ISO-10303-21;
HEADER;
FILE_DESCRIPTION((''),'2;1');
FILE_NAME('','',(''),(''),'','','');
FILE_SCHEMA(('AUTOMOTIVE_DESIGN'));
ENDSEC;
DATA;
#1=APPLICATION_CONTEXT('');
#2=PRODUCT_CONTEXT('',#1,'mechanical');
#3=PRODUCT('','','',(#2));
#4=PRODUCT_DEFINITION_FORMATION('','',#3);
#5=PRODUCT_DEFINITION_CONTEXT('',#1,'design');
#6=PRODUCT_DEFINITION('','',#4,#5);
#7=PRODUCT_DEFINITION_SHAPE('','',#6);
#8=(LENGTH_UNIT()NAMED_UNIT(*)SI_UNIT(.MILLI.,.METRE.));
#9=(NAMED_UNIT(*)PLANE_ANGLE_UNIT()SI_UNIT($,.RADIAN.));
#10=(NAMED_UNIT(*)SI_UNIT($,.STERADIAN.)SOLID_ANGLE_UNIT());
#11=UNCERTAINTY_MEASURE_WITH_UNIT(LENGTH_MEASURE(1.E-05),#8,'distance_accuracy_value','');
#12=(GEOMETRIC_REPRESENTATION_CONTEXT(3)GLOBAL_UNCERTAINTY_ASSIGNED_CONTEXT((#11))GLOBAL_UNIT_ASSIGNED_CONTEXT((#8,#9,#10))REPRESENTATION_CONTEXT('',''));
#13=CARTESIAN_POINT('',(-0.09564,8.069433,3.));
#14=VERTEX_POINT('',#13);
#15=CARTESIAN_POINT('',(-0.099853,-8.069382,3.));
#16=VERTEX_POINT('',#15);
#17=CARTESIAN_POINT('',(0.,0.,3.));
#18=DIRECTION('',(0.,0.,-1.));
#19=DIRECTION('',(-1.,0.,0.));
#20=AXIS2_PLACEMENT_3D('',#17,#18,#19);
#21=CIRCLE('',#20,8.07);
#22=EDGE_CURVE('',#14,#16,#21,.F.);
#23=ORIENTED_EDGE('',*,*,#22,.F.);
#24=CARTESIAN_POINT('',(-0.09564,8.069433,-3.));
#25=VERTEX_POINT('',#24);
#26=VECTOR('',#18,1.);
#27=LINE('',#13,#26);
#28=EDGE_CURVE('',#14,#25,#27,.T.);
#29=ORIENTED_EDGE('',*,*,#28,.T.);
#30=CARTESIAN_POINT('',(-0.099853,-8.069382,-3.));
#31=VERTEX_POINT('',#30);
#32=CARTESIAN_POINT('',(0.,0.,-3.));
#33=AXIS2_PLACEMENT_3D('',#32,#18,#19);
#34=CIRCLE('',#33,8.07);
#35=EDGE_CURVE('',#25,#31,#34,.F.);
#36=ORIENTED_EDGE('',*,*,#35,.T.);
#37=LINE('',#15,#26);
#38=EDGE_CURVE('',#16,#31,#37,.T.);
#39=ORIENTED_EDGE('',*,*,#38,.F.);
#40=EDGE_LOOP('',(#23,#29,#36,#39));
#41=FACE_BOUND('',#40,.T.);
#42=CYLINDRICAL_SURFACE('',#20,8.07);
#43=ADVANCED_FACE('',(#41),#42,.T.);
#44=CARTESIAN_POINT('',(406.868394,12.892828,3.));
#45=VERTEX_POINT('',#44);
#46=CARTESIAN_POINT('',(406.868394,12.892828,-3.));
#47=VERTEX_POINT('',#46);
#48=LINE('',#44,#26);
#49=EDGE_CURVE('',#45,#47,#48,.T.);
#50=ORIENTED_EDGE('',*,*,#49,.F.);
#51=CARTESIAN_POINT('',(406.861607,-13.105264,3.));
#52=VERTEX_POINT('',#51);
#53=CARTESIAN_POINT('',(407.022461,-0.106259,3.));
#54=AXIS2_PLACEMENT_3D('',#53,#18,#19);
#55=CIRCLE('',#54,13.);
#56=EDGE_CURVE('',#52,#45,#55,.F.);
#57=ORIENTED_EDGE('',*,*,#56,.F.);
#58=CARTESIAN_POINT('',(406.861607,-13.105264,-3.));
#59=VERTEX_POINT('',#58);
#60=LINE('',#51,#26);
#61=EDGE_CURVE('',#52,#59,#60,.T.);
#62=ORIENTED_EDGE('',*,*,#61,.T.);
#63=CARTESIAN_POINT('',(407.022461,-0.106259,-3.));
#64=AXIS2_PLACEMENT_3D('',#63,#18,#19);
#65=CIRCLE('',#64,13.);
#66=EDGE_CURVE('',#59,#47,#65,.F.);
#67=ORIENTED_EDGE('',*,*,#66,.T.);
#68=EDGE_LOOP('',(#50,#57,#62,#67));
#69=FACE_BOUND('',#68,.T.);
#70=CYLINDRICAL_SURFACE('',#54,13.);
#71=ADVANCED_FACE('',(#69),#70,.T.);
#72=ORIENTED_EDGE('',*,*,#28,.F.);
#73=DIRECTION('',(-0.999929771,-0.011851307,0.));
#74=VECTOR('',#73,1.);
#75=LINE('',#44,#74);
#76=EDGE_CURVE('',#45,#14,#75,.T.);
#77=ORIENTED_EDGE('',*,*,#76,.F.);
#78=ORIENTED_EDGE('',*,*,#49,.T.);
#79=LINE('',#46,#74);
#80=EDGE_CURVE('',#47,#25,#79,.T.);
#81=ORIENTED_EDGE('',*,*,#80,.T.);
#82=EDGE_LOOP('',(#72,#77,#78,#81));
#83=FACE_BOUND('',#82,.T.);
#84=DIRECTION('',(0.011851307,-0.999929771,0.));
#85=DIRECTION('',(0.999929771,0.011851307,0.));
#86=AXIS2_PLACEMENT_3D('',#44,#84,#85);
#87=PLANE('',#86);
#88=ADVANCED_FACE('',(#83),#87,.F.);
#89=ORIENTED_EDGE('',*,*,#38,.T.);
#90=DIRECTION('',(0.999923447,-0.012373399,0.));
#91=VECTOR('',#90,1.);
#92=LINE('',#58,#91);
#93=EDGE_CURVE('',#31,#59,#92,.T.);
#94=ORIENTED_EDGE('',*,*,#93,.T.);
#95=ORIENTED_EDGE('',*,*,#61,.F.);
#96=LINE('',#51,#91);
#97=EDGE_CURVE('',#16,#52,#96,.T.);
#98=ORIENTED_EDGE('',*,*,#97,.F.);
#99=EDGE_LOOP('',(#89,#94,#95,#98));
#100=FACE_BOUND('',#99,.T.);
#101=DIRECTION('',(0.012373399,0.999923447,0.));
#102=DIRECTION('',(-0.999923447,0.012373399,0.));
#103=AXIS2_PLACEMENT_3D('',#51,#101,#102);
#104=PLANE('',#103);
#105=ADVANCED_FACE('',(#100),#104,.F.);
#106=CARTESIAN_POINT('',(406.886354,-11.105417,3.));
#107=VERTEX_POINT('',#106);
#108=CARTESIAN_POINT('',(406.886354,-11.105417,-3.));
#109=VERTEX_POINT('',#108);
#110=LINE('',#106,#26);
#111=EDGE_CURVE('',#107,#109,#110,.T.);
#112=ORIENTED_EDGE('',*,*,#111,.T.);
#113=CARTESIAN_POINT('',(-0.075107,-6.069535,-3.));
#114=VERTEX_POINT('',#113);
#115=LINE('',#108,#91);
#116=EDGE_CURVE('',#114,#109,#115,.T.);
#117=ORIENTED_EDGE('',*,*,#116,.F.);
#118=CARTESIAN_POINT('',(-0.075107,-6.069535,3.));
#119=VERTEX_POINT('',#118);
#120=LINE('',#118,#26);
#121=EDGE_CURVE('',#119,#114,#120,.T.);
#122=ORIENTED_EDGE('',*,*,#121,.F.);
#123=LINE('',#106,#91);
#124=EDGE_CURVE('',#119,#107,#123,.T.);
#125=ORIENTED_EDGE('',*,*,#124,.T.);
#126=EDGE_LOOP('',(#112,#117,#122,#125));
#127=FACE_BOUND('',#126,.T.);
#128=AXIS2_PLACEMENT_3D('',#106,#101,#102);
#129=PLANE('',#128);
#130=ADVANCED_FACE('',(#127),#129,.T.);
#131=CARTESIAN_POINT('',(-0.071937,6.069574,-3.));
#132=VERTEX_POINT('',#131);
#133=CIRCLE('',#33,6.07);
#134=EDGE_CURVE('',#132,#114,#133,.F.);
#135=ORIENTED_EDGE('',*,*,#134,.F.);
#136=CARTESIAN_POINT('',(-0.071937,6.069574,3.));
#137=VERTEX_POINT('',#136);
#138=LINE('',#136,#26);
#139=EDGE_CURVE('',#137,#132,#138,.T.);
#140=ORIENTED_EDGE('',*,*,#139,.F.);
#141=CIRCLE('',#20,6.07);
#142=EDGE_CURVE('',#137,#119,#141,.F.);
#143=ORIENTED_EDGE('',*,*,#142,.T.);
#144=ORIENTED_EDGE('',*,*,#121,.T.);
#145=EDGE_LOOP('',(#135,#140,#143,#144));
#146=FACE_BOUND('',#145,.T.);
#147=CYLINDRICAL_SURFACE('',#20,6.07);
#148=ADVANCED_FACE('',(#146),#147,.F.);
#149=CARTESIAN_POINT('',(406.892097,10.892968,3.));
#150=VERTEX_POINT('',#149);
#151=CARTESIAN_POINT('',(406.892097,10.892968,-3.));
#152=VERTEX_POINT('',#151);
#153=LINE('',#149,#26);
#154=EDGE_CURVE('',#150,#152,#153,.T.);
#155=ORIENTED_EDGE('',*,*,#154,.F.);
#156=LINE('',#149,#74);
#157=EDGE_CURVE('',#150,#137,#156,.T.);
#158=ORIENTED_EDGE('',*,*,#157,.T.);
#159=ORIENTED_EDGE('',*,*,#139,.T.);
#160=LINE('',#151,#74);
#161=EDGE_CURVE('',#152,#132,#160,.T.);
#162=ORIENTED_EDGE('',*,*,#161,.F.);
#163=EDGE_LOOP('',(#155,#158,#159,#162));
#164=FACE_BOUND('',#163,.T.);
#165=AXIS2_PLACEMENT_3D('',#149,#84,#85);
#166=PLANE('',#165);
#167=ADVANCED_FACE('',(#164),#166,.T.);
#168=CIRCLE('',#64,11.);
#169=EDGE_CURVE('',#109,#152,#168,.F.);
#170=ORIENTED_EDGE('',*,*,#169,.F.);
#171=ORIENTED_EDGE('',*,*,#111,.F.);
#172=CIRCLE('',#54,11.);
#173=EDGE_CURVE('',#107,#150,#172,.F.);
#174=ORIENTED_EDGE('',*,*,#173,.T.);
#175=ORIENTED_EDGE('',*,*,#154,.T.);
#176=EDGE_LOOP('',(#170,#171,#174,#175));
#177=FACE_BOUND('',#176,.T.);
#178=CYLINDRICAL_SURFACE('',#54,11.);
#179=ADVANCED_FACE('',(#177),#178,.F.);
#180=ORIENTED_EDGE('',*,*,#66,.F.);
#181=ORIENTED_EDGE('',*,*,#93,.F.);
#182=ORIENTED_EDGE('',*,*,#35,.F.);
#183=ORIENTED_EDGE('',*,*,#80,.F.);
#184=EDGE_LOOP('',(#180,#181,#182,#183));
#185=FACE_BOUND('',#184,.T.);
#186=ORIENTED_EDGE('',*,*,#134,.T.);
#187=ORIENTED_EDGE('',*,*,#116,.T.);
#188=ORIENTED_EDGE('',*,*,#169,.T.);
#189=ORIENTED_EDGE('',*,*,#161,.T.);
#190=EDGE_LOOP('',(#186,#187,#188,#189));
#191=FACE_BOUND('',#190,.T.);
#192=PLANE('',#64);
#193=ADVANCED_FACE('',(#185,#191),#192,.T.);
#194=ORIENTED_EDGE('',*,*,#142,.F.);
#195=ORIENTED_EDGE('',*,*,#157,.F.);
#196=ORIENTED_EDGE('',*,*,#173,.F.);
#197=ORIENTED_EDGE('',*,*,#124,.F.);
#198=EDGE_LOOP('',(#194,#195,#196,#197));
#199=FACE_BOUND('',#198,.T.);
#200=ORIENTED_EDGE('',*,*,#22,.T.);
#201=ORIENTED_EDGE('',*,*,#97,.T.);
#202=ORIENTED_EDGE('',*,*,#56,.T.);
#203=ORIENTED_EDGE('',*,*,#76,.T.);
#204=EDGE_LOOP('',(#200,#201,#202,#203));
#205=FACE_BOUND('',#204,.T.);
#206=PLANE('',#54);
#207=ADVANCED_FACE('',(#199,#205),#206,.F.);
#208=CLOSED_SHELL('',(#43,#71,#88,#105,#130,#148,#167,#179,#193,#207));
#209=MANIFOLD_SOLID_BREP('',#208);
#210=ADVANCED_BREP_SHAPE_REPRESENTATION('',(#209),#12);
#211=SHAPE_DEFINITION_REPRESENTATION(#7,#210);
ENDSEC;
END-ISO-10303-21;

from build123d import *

# Parameters (mm, degrees)
EXTRUDE_THIN1_DEPTH = 3


with BuildPart() as part:
    # Sketch2 → Extrude-Thin1 (new, symmetric)
    with BuildSketch(Plane.XY):
        with BuildLine():
            Line((-0.095640045, 8.06943325), (406.868394403, 12.892827569))
            ThreePointArc((406.868394403, 12.892827569), (420.022460946, -0.109653301), (406.861607202, -13.105264257))
            Line((406.861607202, -13.105264257), (-0.09985333, -8.069382214))
            ThreePointArc((-0.09985333, -8.069382214), (-8.069999725, 0.002106797), (-0.095640045, 8.06943325))
        make_face()
        with BuildLine():
            Line((-0.071937431, 6.069573709), (406.892097016, 10.892968027))
            ThreePointArc((406.892097016, 10.892968027), (418.022461015, -0.10913117), (406.886354, -11.105417364))
            Line((406.886354, -11.105417364), (-0.075106532, -6.069535321))
            ThreePointArc((-0.075106532, -6.069535321), (-6.069999793, 0.001584666), (-0.071937431, 6.069573709))
        make_face(mode=Mode.SUBTRACT)
    extrude(amount=EXTRUDE_THIN1_DEPTH, both=True)


solid = part.part
